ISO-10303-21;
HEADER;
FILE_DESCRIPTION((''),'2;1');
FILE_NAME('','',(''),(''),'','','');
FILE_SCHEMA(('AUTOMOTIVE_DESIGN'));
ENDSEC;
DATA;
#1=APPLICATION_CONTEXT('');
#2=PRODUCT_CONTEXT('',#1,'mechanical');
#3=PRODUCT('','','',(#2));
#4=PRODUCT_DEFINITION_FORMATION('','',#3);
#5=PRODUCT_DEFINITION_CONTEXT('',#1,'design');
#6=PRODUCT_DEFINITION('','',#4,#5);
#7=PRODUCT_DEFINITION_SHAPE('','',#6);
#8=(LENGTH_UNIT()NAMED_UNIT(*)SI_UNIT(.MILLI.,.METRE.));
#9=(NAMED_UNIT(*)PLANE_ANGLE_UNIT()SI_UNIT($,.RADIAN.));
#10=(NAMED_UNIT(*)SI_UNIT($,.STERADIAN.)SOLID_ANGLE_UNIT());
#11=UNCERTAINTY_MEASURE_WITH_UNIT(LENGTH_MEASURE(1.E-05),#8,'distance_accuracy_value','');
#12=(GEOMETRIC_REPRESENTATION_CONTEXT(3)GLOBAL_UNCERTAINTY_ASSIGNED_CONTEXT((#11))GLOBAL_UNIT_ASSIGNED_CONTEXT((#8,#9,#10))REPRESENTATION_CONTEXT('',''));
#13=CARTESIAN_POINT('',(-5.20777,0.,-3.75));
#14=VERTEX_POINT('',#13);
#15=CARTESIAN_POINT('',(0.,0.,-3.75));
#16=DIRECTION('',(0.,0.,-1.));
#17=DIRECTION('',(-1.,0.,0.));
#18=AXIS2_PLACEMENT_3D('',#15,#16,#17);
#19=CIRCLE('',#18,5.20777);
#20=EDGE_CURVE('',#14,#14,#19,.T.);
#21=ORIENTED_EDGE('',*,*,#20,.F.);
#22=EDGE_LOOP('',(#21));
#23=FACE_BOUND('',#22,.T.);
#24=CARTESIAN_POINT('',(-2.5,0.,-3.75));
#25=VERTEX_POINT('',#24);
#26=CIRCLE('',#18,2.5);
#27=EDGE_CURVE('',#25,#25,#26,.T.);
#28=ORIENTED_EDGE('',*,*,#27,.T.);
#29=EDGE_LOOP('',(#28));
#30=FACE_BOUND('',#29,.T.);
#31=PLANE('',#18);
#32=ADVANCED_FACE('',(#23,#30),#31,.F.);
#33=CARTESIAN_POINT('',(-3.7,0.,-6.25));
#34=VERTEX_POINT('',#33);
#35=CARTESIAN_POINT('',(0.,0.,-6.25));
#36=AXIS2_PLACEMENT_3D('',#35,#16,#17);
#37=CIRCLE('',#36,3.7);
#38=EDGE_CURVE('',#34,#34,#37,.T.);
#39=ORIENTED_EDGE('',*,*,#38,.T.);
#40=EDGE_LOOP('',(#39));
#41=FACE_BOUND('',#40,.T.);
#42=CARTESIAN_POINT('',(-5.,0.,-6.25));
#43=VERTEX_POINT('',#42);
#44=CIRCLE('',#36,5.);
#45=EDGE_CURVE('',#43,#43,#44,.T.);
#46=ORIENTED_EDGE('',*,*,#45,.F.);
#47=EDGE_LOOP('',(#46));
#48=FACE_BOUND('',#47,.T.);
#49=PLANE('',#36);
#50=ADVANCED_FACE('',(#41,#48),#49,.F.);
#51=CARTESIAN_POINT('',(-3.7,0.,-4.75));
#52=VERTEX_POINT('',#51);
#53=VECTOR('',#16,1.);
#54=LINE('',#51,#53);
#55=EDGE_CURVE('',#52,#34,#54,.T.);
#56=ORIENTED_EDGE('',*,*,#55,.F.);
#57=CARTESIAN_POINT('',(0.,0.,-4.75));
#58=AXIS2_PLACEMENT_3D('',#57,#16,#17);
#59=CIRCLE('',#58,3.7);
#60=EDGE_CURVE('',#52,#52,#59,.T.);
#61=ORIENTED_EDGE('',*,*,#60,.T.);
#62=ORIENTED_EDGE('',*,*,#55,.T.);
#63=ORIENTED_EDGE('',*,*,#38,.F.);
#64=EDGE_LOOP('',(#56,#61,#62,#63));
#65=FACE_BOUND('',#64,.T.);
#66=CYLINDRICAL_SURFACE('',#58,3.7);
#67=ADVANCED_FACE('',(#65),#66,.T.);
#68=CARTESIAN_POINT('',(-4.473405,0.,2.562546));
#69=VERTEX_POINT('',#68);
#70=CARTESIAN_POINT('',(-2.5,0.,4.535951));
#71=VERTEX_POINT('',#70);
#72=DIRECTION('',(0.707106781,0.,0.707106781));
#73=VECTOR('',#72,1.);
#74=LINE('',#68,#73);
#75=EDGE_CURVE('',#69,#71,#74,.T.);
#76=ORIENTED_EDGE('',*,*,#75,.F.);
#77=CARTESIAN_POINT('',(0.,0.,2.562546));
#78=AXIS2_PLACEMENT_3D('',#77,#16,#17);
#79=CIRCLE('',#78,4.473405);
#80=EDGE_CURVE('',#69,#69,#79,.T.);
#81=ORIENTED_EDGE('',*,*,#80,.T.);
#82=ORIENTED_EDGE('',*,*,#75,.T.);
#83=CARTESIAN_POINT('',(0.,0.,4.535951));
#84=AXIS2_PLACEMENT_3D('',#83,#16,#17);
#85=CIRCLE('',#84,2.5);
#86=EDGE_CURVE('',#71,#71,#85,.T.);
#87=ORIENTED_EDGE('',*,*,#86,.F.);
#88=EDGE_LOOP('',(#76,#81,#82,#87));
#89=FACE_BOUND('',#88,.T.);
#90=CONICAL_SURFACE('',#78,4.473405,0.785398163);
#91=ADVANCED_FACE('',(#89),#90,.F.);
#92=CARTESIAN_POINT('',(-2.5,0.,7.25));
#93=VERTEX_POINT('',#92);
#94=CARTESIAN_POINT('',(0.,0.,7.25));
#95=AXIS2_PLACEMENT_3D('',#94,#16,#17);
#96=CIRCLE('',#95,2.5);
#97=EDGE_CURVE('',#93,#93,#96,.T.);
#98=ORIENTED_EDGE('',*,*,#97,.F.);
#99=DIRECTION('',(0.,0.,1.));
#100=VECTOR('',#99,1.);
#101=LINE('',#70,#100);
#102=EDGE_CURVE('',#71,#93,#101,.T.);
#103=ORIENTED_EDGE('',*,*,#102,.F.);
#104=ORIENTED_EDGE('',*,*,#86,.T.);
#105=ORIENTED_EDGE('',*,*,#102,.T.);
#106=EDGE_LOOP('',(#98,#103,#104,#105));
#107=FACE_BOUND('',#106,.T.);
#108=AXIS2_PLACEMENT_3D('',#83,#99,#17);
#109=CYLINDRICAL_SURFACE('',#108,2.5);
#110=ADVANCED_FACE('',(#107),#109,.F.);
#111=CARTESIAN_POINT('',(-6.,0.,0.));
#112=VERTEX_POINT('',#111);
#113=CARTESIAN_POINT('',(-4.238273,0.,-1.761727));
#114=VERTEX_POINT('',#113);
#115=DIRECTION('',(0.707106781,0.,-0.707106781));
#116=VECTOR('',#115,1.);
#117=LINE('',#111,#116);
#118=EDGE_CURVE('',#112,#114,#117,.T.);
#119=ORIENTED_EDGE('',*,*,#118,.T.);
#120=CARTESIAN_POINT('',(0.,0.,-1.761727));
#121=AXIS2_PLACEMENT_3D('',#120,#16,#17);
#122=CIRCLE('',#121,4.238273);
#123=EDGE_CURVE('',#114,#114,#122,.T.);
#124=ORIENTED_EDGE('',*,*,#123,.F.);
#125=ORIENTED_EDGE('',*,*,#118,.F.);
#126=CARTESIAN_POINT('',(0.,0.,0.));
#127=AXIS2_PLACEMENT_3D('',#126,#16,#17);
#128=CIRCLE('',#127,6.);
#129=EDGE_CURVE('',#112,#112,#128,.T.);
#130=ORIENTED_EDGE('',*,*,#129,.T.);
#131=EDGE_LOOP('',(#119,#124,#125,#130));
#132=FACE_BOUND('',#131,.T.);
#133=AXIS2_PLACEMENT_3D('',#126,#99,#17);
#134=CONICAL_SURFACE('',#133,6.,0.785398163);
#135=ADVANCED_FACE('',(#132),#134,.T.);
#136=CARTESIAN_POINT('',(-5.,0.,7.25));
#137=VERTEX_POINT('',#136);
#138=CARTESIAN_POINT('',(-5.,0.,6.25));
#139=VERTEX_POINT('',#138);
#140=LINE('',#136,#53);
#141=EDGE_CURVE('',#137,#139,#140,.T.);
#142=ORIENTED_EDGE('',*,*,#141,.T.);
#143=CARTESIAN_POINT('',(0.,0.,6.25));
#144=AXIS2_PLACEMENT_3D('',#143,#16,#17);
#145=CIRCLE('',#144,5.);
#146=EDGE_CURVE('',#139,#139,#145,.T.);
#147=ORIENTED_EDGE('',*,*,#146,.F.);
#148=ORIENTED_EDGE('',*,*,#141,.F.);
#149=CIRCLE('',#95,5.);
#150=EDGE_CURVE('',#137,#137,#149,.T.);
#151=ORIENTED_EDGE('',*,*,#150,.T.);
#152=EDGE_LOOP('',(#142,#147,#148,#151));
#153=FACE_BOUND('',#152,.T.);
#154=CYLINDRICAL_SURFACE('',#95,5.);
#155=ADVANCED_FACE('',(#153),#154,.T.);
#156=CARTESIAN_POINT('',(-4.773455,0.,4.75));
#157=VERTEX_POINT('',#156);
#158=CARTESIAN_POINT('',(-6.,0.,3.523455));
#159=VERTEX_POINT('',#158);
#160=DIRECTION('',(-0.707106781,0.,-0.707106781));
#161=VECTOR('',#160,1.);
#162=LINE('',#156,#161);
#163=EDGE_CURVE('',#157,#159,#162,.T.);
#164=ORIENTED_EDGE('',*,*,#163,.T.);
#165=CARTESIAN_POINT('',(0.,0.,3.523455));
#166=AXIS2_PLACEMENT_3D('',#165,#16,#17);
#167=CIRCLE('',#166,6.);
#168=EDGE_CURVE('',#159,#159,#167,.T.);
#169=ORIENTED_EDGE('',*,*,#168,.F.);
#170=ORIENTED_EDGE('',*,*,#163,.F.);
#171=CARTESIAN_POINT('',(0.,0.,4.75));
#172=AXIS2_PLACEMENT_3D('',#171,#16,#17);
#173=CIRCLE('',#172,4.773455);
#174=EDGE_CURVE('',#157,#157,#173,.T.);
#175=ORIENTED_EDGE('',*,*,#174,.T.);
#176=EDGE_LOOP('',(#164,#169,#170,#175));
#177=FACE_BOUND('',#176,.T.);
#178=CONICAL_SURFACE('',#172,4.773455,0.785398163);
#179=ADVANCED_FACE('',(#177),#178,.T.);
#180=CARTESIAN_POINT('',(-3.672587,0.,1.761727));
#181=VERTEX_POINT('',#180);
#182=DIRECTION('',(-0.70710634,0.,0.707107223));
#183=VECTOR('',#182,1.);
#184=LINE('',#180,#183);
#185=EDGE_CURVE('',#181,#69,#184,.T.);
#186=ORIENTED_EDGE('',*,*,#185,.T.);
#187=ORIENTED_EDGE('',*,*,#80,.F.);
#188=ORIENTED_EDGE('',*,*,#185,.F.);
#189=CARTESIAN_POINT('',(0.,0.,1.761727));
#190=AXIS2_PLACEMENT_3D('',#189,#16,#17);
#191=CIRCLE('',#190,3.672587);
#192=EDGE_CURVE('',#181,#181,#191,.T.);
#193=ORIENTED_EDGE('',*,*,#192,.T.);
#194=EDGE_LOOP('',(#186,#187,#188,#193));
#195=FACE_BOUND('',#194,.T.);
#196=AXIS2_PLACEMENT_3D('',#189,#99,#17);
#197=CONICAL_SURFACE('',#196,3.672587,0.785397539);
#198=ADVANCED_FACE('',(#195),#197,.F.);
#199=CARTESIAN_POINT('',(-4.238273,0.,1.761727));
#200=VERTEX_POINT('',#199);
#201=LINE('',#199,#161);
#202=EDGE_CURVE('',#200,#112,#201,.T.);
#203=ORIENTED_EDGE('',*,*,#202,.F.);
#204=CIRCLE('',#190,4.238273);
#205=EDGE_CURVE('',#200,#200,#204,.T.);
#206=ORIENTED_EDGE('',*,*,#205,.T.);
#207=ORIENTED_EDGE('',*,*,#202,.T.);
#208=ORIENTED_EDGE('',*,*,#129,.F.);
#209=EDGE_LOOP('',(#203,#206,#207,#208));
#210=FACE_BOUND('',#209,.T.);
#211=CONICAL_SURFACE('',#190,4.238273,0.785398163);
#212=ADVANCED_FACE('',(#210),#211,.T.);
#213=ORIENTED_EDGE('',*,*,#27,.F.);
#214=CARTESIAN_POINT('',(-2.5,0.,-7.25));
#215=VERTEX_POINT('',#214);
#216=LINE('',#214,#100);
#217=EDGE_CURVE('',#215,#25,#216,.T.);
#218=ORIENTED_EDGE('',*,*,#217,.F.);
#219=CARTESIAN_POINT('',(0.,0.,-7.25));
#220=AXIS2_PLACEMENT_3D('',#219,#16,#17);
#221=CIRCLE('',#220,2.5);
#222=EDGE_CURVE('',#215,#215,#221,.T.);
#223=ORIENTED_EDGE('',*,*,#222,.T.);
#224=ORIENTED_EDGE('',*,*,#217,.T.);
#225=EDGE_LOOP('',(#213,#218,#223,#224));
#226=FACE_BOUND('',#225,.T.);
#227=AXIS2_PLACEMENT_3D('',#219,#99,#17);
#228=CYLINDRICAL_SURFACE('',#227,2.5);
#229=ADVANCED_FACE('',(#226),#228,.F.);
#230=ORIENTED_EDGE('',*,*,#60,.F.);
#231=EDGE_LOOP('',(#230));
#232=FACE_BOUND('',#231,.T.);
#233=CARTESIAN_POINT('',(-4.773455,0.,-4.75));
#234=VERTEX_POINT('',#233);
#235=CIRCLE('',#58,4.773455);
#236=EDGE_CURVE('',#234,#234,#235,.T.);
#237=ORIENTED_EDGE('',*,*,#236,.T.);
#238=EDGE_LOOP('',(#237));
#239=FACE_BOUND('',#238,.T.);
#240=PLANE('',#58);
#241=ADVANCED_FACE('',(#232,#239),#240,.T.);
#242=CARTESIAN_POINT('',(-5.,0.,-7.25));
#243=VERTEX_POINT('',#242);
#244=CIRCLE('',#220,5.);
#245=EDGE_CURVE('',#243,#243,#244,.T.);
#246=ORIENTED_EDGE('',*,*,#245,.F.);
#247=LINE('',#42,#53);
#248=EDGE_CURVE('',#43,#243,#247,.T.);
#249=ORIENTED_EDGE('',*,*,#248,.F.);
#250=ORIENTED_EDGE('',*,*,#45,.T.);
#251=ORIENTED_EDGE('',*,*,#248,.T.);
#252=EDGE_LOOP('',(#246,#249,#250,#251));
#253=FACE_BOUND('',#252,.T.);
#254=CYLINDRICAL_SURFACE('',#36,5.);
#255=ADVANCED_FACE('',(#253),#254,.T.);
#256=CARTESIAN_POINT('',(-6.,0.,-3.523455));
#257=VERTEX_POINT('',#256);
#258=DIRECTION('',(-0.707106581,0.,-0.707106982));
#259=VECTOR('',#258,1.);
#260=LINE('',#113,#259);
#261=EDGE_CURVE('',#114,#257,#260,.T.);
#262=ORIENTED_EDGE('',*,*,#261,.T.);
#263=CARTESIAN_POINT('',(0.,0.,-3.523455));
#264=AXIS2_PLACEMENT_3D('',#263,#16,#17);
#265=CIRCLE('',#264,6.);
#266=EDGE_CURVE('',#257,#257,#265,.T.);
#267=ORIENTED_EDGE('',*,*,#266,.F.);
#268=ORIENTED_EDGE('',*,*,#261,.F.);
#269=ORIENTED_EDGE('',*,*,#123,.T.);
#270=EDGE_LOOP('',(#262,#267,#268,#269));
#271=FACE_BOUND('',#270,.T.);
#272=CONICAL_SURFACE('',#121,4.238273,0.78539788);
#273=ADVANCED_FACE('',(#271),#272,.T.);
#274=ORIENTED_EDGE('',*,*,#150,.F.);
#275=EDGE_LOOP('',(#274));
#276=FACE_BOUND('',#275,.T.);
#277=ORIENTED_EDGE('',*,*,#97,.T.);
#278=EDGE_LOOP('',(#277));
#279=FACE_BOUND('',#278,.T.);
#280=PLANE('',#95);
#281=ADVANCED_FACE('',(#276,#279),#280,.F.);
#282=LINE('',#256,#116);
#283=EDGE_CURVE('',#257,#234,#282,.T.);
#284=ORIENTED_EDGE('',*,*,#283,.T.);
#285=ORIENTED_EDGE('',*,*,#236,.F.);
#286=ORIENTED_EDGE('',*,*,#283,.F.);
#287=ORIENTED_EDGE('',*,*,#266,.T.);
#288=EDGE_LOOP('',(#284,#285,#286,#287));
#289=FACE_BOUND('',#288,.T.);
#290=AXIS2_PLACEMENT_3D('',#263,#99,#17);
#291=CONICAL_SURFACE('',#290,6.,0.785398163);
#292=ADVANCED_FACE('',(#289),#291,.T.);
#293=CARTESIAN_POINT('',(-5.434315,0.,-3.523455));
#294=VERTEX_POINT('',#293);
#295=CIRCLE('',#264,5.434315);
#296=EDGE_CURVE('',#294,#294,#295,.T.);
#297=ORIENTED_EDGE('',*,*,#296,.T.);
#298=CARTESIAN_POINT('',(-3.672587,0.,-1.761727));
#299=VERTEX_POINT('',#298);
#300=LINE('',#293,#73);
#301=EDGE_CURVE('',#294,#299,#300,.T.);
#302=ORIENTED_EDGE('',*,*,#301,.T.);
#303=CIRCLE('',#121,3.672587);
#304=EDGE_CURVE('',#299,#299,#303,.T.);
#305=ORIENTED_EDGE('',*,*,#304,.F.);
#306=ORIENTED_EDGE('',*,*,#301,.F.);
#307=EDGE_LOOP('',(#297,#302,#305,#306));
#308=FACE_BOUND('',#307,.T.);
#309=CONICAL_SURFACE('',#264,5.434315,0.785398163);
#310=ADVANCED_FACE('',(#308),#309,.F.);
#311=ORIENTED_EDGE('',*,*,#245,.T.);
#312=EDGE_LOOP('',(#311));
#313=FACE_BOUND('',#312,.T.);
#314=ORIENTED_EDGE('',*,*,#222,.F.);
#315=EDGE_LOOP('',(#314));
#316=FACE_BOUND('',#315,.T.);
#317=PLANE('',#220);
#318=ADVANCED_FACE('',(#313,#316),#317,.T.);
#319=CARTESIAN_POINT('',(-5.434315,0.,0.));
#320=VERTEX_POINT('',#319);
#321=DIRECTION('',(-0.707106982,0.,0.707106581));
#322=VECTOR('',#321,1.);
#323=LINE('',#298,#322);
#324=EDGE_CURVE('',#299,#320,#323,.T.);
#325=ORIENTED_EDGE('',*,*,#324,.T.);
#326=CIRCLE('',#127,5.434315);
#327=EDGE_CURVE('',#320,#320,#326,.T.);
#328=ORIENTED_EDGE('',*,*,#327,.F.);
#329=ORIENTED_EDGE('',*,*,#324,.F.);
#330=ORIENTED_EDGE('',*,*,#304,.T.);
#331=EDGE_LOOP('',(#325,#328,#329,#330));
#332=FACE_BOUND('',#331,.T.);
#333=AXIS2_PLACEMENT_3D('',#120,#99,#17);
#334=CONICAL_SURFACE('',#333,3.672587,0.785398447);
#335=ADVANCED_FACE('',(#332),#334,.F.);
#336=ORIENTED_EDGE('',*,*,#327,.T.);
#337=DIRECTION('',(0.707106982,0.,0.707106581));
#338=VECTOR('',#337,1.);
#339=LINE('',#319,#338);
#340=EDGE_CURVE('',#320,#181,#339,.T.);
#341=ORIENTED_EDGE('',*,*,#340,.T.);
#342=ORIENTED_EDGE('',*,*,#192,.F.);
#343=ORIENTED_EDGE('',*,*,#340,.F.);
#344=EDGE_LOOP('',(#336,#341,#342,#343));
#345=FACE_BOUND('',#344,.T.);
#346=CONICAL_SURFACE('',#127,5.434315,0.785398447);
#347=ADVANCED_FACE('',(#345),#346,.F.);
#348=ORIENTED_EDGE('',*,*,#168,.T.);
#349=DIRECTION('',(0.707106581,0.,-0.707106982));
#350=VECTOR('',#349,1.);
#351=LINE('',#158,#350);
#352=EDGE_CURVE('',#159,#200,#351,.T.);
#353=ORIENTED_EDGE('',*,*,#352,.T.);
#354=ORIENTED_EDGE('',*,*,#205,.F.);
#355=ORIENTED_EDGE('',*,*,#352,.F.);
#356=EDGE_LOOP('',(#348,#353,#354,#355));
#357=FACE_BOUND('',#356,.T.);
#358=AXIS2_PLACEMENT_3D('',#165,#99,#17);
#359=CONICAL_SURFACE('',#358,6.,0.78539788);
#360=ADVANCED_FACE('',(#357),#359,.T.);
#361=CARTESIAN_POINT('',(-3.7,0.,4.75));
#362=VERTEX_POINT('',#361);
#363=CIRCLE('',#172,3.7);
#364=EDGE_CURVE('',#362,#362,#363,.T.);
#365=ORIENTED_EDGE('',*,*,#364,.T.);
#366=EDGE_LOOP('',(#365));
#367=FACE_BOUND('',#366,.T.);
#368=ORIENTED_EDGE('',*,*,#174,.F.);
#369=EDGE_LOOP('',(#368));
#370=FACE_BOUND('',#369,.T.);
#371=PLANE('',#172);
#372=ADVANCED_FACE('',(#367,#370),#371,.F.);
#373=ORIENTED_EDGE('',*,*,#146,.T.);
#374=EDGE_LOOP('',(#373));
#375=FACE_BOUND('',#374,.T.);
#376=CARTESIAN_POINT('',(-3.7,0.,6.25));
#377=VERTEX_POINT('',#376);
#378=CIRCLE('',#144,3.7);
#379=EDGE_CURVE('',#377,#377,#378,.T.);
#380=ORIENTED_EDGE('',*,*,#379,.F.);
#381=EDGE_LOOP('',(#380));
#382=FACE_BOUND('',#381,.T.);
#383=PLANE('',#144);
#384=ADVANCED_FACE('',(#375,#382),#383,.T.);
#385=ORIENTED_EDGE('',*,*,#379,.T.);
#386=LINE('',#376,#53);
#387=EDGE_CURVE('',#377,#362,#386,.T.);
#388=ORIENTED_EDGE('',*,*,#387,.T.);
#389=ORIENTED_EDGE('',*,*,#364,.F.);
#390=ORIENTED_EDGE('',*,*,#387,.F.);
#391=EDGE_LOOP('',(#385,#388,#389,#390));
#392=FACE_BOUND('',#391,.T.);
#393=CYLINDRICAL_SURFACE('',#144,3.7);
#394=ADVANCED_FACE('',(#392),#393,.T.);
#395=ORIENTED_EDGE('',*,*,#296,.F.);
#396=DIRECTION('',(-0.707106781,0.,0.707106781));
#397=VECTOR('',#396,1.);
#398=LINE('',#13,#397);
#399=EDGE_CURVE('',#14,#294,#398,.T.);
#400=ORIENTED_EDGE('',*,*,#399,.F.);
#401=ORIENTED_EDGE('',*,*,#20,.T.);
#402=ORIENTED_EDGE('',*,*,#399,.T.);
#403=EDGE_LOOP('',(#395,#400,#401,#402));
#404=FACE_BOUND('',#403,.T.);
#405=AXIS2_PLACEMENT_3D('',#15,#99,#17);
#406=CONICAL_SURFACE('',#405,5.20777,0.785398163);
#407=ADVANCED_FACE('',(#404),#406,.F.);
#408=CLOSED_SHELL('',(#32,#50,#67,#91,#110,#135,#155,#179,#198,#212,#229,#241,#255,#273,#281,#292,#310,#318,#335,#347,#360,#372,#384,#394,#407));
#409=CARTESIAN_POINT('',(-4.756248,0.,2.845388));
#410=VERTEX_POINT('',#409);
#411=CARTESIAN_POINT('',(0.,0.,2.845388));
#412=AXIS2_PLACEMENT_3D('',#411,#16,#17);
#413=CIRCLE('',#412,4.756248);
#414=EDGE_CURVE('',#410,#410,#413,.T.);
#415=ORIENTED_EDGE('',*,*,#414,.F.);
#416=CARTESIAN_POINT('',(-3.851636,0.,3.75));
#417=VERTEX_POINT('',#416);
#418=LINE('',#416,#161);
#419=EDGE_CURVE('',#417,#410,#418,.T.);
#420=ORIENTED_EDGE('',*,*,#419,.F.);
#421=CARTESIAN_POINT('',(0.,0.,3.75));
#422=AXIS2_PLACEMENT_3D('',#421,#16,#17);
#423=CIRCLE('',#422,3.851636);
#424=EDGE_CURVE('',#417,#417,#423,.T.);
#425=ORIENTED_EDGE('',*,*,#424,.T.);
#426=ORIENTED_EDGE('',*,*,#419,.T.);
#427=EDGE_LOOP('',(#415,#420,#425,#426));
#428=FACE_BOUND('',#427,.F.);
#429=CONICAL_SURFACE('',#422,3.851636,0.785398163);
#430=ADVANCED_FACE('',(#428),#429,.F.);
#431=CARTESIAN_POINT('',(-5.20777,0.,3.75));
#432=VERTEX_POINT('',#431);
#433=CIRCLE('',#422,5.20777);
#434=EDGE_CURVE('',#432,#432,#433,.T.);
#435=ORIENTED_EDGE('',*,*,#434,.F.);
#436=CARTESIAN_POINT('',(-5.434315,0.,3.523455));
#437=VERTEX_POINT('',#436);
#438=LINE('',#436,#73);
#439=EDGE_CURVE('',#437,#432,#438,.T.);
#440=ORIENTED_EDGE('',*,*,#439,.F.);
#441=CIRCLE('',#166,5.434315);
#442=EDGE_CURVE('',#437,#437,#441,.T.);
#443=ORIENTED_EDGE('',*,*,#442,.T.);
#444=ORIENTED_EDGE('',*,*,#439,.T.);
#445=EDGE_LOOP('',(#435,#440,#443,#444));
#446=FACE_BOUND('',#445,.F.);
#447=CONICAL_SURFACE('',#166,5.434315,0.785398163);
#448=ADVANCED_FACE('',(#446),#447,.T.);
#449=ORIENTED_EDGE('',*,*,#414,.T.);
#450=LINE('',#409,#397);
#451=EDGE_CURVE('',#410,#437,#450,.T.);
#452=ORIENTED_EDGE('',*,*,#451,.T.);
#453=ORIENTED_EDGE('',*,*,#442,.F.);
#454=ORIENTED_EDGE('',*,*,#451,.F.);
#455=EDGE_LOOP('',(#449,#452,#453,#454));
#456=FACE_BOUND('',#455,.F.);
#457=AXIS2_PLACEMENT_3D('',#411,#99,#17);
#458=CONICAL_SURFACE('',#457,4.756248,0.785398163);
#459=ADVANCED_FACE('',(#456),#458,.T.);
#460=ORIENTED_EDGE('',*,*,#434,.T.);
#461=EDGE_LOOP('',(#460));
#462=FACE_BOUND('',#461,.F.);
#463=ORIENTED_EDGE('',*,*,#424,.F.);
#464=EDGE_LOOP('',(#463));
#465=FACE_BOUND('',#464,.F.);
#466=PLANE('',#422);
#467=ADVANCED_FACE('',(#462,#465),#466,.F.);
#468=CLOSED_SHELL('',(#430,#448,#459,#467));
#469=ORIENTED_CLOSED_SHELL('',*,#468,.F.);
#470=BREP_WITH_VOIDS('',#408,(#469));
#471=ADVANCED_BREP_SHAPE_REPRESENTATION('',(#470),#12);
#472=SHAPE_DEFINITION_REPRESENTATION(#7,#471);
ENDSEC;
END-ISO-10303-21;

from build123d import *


with BuildPart() as f1:
    # F0 (on Front) → F1 (revolve)
    with BuildSketch(Plane.XZ):
        Polygon((-2.5, 4.535951), (-2.5, 7.25), (-5, 7.25), (-5, 6.25), (-3.7, 6.25), (-3.7, 4.75), (-4.773455, 4.75), (-6, 3.523455), (-4.238273, 1.761727), (-6, 0), (-4.238273, -1.761727), (-6, -3.523455), (-4.773455, -4.75), (-3.7, -4.75), (-3.7, -6.25), (-5, -6.25), (-5, -7.25), (-2.5, -7.25), (-2.5, -3.75), (-5.20777, -3.75), (-5.434315, -3.523455), (-3.672587, -1.761727), (-5.434315, 0), (-3.672587, 1.761727), (-4.473405, 2.562546), align=None)
        Polygon((-4.756248, 2.845388), (-5.434315, 3.523455), (-5.20777, 3.75), (-3.851636, 3.75), align=None, mode=Mode.SUBTRACT)
    revolve(axis=Axis((0, 0, -0.799421), (0, 0, -1)))


solid = f1.part
